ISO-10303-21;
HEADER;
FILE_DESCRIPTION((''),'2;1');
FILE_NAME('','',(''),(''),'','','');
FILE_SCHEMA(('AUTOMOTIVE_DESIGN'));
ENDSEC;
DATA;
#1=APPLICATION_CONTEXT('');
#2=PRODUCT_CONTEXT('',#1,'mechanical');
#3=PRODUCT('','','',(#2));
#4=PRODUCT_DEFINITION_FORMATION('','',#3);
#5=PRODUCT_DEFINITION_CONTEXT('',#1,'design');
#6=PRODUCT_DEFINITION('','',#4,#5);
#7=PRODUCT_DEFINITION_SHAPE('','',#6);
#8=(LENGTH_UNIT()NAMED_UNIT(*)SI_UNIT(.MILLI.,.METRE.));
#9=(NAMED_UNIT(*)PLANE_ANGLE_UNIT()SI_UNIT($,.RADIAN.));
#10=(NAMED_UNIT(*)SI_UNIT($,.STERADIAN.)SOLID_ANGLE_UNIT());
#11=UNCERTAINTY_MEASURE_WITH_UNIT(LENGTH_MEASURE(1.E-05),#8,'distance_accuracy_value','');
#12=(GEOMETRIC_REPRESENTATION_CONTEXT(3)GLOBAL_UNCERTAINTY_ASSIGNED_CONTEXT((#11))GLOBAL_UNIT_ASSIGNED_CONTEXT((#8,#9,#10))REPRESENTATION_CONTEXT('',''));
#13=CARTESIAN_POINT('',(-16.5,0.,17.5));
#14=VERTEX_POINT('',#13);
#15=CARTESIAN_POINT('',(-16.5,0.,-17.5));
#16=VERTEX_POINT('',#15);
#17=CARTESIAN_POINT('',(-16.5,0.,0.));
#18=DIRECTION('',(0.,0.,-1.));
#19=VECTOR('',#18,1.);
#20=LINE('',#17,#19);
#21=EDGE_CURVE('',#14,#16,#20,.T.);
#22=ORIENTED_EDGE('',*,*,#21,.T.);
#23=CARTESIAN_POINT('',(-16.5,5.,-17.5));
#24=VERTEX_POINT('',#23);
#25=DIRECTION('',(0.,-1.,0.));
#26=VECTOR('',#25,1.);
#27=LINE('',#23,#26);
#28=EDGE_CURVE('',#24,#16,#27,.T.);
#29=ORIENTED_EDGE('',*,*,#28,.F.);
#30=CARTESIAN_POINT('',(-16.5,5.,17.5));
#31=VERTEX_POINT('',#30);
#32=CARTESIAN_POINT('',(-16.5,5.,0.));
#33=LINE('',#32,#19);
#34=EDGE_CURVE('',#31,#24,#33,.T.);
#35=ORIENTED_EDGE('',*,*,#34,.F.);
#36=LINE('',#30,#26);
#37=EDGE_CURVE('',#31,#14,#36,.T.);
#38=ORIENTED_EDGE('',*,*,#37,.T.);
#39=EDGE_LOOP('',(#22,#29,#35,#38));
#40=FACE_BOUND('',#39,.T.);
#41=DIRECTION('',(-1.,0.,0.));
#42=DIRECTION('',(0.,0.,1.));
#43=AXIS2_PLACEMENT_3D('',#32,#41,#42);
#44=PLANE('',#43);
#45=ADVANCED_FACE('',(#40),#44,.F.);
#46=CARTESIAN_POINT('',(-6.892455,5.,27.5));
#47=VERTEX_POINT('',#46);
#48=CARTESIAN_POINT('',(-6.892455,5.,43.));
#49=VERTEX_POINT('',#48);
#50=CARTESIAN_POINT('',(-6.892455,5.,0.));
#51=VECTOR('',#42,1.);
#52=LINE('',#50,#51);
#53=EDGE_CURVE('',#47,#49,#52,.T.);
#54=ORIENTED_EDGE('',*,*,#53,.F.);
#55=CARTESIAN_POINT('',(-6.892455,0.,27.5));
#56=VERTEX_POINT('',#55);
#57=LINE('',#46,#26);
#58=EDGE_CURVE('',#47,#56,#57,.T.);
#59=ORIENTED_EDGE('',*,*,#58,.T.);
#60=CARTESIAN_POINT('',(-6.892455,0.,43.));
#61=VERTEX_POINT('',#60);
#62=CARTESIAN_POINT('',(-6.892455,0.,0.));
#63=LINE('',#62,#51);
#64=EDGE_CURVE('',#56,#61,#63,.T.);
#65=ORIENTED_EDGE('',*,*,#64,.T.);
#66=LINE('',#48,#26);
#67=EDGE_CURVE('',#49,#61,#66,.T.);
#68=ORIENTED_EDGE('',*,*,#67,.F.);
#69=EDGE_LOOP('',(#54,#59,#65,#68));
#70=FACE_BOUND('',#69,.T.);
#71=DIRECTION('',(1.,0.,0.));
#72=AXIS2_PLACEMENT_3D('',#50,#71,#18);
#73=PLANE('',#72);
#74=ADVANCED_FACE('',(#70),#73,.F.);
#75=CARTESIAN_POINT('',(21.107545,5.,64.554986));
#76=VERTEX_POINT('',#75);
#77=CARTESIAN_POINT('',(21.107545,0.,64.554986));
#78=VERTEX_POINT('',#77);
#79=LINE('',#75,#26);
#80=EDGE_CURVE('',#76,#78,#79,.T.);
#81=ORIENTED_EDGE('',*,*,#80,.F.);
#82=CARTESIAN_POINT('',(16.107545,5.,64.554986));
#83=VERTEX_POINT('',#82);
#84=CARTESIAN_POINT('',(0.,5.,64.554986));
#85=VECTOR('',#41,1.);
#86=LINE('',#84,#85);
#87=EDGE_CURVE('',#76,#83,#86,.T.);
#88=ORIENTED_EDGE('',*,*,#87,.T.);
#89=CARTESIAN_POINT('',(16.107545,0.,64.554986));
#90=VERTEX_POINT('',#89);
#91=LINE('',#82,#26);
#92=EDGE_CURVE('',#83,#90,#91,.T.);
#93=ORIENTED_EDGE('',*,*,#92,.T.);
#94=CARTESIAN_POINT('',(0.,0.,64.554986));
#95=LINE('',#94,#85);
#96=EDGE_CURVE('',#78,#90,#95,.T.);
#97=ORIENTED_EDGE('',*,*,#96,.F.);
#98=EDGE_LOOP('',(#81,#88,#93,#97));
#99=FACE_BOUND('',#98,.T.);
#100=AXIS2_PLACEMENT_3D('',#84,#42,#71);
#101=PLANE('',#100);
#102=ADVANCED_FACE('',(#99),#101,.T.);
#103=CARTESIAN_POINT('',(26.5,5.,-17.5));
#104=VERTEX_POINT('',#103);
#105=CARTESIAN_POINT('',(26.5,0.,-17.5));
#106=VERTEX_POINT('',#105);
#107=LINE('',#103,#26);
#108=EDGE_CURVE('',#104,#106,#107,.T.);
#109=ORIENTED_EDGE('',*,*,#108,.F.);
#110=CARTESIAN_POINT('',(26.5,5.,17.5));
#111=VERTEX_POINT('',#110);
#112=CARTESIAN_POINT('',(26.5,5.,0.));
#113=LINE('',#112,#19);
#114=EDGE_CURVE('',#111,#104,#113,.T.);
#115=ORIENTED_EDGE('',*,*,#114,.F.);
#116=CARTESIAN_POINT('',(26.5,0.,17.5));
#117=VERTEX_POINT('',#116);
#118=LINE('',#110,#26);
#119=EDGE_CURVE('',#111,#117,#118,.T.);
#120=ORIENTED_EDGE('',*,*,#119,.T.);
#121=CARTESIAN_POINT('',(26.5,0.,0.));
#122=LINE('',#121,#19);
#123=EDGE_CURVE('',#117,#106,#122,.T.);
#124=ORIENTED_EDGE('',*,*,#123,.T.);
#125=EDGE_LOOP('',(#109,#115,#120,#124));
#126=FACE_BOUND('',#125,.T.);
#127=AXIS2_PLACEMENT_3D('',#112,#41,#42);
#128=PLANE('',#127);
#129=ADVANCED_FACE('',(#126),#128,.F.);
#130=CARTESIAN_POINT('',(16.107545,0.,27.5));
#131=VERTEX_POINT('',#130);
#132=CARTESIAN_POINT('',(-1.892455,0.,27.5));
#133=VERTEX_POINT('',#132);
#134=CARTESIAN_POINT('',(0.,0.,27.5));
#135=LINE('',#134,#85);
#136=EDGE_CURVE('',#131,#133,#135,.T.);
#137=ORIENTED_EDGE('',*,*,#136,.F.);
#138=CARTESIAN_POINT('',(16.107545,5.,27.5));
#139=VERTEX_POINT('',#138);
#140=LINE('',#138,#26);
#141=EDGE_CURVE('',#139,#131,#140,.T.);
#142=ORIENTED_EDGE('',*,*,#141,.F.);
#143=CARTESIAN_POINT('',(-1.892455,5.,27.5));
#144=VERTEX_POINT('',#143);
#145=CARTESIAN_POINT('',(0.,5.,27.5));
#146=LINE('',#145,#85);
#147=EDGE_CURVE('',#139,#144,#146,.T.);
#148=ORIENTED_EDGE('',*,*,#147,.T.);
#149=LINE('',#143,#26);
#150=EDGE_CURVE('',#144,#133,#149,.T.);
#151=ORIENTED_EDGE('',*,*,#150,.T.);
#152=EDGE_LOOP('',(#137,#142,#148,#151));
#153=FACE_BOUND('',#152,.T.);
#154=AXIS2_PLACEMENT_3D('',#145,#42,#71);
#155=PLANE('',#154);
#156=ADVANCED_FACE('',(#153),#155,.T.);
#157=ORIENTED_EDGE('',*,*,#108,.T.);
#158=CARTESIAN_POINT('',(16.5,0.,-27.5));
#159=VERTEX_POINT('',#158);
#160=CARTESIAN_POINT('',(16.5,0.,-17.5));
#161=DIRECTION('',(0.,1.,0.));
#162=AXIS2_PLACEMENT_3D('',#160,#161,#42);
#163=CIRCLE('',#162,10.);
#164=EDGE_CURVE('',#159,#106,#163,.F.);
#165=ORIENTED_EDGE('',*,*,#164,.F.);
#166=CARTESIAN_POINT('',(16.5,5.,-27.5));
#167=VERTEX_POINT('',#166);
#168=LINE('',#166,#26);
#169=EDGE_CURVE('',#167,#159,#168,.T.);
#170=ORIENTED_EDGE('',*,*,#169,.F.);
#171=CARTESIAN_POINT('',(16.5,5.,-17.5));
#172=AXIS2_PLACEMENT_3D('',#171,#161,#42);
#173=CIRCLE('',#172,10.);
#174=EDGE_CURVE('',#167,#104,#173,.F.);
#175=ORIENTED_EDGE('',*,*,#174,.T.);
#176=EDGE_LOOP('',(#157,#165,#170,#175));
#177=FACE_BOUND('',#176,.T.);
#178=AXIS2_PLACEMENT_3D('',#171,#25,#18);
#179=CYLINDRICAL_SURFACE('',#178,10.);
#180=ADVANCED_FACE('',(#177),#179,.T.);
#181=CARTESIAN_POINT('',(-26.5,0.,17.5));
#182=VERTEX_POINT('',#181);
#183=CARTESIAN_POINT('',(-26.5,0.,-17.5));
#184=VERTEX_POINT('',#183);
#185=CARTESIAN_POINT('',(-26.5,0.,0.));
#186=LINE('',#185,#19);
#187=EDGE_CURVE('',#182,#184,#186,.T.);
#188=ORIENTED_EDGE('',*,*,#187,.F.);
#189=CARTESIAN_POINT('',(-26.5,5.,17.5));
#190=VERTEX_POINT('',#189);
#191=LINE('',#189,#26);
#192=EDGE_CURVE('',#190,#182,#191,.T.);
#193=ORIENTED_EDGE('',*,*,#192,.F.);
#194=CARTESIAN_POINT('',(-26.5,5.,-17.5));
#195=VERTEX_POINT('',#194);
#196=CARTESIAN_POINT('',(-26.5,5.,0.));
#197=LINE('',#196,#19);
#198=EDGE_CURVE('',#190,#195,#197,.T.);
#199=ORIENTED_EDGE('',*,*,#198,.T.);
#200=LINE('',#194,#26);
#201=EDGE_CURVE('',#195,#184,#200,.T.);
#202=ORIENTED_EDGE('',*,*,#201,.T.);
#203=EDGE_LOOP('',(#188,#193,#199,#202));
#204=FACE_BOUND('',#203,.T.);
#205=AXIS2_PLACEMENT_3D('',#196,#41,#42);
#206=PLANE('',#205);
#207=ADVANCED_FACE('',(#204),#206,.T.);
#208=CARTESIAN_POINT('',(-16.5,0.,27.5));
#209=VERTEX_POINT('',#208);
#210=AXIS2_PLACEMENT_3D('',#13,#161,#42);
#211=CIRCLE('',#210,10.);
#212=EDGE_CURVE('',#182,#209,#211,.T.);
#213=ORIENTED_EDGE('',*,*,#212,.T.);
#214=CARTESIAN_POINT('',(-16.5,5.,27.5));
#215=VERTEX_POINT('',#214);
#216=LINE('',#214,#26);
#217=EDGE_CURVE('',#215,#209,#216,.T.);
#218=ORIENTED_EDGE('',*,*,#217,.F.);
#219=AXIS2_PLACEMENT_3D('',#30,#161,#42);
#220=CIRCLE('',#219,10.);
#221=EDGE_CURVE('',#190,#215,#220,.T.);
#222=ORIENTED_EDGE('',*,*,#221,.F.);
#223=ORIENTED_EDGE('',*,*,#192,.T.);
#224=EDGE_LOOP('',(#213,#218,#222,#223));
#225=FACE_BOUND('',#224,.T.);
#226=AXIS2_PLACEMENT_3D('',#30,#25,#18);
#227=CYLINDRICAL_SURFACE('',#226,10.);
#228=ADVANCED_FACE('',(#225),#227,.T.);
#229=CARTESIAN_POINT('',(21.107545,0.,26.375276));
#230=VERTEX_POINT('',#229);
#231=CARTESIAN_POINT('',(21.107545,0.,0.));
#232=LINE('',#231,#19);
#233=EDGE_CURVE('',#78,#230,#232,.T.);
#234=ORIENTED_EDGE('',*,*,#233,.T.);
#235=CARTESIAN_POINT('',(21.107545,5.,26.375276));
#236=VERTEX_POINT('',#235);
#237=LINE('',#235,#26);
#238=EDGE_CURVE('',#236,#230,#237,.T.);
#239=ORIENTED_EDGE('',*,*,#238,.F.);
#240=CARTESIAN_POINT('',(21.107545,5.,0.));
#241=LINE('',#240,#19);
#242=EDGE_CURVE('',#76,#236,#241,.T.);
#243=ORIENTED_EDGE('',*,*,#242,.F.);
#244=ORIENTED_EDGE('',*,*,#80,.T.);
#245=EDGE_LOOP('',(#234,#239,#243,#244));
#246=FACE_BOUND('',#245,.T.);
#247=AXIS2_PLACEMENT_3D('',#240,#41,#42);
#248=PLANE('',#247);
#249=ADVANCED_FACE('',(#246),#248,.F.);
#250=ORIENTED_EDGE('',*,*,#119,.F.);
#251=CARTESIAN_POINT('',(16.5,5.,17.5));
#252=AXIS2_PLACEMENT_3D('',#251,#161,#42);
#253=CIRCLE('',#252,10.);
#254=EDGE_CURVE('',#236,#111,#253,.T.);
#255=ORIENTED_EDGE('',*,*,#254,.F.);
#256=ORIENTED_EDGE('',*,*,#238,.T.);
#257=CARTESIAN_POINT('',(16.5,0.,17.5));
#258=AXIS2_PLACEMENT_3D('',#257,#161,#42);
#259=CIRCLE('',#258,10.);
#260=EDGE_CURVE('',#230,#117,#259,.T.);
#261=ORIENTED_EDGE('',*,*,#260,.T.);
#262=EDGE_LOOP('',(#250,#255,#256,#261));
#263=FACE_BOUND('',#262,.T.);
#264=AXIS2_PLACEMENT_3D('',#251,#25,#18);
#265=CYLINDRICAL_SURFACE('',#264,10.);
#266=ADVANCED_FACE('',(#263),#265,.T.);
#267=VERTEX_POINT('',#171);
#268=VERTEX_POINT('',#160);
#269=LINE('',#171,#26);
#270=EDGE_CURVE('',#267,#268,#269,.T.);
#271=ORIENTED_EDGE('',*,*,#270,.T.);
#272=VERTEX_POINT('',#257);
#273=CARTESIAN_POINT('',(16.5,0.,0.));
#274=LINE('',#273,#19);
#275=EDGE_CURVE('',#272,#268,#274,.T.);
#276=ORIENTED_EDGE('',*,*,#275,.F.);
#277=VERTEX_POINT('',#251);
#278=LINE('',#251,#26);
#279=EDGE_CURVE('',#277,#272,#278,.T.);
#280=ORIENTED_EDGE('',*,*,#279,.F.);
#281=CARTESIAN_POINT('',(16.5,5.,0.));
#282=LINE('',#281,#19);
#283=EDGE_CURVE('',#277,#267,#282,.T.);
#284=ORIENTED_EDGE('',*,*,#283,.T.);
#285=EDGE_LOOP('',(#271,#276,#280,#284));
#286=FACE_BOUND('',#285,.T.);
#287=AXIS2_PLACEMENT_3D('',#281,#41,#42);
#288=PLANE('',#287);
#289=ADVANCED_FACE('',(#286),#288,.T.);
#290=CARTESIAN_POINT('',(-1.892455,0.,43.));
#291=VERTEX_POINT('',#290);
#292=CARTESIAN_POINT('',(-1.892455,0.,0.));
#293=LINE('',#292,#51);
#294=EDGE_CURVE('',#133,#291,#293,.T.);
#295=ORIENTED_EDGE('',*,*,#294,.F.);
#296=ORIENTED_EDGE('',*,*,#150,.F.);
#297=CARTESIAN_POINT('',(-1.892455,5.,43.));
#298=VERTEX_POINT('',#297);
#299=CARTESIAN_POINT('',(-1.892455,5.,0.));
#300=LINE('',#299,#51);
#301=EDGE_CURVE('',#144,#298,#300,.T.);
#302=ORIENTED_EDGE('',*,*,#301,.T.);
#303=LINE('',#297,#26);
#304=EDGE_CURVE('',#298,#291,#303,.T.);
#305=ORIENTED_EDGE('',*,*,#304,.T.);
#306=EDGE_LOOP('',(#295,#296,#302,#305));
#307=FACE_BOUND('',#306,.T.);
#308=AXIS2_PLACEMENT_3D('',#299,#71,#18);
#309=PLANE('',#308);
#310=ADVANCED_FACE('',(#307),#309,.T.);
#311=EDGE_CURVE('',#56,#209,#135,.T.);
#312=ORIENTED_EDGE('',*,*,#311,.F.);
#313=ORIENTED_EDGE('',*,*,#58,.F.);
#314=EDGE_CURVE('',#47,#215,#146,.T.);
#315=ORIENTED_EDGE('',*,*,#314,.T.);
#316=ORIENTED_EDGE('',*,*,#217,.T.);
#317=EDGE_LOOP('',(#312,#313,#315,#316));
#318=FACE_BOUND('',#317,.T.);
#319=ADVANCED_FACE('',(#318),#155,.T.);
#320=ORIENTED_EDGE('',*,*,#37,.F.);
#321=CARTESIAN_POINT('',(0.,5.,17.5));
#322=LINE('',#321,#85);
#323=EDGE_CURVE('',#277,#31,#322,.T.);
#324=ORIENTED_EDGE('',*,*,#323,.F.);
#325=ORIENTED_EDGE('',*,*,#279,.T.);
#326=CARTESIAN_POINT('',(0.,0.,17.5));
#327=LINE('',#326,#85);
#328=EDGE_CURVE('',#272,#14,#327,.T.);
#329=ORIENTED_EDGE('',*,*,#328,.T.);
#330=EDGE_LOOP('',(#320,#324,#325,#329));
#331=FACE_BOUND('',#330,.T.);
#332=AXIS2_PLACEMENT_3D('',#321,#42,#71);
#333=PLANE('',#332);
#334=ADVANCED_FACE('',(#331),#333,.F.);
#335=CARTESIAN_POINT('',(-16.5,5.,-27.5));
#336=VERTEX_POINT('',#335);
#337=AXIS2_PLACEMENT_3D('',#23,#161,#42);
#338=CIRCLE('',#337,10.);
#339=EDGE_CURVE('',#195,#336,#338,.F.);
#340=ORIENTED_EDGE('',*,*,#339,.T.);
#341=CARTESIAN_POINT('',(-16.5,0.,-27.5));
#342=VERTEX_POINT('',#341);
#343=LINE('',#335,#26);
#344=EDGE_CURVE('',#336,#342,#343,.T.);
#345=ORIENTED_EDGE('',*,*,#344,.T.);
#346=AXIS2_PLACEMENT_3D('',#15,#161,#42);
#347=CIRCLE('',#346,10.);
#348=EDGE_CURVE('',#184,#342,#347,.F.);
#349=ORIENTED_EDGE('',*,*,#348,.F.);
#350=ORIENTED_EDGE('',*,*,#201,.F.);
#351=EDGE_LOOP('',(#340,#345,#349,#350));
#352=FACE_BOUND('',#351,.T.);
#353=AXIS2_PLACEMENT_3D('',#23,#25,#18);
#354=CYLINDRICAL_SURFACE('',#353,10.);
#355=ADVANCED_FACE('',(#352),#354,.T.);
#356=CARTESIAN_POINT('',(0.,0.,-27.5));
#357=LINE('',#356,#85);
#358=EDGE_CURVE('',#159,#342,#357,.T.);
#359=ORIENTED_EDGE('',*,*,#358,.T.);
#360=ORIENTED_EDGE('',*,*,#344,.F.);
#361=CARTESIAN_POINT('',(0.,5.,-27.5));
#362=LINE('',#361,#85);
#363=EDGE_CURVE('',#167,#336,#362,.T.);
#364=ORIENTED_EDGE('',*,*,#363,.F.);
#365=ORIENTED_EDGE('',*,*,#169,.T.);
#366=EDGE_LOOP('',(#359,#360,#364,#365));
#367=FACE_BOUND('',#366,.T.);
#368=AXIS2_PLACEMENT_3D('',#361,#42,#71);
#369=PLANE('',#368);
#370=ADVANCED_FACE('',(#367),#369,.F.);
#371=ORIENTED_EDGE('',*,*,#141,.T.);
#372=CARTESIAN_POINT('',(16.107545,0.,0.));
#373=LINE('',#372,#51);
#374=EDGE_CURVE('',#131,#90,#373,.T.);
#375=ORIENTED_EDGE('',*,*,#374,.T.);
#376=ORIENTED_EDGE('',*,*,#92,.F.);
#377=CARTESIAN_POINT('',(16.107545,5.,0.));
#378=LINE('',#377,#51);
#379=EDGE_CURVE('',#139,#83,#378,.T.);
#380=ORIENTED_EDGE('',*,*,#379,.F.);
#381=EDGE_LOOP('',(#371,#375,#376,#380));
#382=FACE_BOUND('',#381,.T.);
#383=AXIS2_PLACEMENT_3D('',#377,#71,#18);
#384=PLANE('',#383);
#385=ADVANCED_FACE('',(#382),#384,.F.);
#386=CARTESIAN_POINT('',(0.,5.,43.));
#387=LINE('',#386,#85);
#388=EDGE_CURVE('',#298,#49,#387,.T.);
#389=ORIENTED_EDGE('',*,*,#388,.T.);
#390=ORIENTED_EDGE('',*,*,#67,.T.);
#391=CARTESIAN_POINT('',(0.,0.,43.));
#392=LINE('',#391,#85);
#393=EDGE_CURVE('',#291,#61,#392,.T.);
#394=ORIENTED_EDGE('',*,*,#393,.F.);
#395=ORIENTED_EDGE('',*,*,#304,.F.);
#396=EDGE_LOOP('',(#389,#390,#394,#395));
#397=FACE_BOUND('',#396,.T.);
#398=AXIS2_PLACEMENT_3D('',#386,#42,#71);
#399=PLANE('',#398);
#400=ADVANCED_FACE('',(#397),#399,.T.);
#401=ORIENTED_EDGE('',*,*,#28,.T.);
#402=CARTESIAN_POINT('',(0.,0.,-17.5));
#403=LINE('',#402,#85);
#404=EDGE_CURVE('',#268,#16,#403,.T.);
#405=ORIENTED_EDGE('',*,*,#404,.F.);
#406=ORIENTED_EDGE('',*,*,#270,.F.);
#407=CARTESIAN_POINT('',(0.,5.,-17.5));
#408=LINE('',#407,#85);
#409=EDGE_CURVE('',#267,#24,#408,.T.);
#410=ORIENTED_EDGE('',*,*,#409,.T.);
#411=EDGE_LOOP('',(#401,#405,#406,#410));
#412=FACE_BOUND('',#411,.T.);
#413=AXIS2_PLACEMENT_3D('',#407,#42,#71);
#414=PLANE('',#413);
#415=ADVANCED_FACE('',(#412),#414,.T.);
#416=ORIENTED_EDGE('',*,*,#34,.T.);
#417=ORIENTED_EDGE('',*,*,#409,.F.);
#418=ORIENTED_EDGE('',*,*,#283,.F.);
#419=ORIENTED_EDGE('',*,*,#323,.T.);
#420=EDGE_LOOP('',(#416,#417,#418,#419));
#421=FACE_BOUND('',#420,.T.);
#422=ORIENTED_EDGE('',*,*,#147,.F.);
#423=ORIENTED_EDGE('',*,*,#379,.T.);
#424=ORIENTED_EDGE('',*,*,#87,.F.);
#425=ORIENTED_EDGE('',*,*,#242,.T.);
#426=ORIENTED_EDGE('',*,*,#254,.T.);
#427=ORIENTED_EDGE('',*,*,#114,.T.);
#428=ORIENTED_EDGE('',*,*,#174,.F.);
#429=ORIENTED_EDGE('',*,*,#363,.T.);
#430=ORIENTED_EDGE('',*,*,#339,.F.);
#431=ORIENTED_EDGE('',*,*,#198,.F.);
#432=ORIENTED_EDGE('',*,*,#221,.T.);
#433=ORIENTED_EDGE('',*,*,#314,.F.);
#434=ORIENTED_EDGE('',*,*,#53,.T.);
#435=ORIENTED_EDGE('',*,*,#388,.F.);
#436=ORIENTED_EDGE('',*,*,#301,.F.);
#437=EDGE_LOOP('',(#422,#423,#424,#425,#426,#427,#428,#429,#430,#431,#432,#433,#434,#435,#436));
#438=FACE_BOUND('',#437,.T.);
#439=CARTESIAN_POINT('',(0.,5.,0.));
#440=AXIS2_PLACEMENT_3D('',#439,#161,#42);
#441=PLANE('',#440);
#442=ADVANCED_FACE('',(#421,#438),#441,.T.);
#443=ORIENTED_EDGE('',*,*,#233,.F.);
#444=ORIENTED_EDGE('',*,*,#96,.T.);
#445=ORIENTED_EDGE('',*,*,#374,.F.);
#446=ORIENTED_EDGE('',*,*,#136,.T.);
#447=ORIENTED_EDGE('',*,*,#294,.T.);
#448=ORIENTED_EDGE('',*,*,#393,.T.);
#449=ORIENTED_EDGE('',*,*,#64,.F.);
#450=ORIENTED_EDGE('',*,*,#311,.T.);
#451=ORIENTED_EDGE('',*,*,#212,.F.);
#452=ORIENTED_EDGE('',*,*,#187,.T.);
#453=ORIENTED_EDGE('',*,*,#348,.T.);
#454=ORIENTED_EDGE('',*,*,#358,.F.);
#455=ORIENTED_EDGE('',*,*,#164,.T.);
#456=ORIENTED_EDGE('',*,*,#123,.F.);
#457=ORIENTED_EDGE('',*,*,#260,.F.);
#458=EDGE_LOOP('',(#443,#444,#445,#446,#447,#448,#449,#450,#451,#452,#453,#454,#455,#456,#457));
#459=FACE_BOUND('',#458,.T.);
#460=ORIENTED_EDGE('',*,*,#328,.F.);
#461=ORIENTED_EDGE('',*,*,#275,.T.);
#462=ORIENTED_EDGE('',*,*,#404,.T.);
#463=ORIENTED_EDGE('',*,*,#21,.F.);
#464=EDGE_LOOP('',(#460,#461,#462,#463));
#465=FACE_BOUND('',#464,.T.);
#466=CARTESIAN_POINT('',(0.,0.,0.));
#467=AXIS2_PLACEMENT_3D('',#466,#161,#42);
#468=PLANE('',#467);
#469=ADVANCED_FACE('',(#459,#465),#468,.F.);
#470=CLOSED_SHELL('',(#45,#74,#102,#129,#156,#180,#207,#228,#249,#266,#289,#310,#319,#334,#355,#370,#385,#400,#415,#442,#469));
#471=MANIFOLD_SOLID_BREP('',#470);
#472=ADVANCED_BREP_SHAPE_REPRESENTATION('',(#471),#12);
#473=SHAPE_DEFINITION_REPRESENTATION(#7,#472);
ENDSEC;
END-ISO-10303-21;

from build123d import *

# Parameters (mm, degrees)
SKETCH_1_W      = 33
SKETCH_1_H      = 35
SKETCH_1_W_2    = 5
SKETCH_1_H_2    = 40
SKETCH_1_H_3    = 15.5
EXTRUDE_1_DEPTH = 5


with BuildPart() as part:
    # 草圖1 → 填料-伸長1 (new body)
    # profile 1 of 3: a face of its own
    with BuildSketch(Plane(origin=(0, 0, 0), x_dir=(1, 0, 0), z_dir=(0, 1, 0))):
        with BuildLine():
            Line((16.5, -27.5), (-16.5, -27.5))
            ThreePointArc((-16.5, -27.5), (-23.571067812, -24.571067812), (-26.5, -17.5))
            Line((-26.5, -17.5), (-26.5, 17.5))
            ThreePointArc((-26.5, 17.5), (-23.571067812, 24.571067812), (-16.5, 27.5))
            Line((-16.5, 27.5), (16.5, 27.5))
            ThreePointArc((16.5, 27.5), (23.571067812, 24.571067812), (26.5, 17.5))
            Line((26.5, 17.5), (26.5, -17.5))
            ThreePointArc((26.5, -17.5), (23.571067812, -24.571067812), (16.5, -27.5))
        make_face()
        Rectangle(SKETCH_1_W, SKETCH_1_H, mode=Mode.SUBTRACT)
    # profile 2 of 3: a face of its own
    with BuildSketch(Plane(origin=(0, 0, 0), x_dir=(1, 0, 0), z_dir=(0, 1, 0))):
        with Locations((18.607544966, -44.554985824)):
            Rectangle(SKETCH_1_W_2, SKETCH_1_H_2)
    # profile 3 of 3: a face of its own
    with BuildSketch(Plane(origin=(0, 0, 0), x_dir=(1, 0, 0), z_dir=(0, 1, 0))):
        with Locations((-4.392455034, -35.25)):
            Rectangle(SKETCH_1_W_2, SKETCH_1_H_3)
    extrude(amount=EXTRUDE_1_DEPTH)


solid = part.part
